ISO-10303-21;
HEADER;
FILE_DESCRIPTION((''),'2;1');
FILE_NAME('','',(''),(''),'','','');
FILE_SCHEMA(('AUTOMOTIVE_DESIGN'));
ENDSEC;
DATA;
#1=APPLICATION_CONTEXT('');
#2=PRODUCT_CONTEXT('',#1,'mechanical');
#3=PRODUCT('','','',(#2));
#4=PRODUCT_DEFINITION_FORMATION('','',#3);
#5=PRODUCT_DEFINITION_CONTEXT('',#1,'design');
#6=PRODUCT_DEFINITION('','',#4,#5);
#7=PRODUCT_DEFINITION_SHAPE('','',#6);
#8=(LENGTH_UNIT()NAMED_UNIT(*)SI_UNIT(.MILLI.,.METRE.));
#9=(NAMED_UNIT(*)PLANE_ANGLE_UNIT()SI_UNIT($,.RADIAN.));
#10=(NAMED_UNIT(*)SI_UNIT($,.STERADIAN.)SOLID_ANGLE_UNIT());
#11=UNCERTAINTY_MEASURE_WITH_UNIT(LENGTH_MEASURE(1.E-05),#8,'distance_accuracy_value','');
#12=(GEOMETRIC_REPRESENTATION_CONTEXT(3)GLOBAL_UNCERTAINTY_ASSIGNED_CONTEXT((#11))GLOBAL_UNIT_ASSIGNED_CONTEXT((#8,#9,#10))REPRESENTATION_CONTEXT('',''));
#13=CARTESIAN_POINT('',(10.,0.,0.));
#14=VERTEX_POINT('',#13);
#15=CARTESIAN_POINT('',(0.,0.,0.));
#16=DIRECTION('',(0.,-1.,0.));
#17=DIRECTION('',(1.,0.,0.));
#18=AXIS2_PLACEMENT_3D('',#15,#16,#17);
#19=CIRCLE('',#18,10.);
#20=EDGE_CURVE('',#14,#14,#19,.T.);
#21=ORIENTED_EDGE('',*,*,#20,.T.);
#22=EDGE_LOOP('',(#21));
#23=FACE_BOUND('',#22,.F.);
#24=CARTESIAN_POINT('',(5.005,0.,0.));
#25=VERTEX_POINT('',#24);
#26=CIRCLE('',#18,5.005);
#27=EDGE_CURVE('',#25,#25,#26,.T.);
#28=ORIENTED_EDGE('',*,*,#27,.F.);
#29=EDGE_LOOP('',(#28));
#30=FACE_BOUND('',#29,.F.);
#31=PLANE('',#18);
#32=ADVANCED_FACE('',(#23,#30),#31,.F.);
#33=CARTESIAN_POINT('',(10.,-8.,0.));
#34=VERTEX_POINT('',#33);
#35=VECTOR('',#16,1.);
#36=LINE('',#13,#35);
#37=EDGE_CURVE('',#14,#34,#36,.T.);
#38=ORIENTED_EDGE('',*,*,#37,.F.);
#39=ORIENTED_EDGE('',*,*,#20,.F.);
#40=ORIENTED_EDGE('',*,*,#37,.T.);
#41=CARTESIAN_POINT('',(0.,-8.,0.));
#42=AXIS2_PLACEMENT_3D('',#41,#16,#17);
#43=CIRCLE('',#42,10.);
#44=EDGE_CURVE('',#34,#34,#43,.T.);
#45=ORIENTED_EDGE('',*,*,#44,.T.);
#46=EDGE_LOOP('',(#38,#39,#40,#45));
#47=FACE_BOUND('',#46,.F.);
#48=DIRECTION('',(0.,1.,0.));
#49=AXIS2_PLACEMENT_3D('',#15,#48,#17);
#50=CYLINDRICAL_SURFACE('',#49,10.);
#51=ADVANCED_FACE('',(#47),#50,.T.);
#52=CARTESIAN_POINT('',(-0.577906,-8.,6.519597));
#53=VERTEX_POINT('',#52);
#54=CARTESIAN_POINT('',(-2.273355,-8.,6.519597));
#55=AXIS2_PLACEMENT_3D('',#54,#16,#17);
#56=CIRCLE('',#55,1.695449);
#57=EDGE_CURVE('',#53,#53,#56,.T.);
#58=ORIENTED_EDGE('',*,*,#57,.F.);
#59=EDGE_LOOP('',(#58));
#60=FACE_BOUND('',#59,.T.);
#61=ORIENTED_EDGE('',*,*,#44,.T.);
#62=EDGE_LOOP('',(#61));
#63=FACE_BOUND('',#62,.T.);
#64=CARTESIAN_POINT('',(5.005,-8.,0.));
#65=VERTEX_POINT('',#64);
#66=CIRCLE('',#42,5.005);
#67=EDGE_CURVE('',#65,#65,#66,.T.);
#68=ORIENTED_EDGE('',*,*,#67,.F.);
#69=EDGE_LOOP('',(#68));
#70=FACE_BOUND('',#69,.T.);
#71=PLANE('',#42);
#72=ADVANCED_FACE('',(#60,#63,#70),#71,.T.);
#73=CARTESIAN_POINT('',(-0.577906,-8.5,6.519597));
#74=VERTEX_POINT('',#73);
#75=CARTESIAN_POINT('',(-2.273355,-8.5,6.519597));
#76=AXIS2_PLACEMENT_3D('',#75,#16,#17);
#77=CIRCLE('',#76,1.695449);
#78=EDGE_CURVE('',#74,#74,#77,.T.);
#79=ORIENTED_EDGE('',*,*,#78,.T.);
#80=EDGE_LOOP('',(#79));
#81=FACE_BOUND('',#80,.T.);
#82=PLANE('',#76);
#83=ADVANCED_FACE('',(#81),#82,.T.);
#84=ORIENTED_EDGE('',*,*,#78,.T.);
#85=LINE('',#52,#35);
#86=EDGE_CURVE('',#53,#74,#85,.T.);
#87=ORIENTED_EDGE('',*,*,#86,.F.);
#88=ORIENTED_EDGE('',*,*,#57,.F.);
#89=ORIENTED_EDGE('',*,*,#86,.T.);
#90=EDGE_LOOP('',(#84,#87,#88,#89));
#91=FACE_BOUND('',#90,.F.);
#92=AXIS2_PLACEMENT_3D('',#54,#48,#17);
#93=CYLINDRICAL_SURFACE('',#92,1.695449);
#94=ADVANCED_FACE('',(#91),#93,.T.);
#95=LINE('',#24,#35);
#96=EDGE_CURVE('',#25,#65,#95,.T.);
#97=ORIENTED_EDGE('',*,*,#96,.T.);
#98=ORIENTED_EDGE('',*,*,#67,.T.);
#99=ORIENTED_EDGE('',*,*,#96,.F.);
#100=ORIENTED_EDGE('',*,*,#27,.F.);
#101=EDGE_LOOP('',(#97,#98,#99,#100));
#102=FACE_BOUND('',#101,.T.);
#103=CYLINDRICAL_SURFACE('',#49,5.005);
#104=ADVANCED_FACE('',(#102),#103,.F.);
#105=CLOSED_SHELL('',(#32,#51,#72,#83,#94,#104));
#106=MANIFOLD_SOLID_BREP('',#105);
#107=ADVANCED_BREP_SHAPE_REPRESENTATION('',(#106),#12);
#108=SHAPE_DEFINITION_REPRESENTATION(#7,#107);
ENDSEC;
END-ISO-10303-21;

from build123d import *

# Parameters (mm, degrees)
F0_R     = 10
F0_R_2   = 5.005
F1_DEPTH = 8
F2_R     = 1.695449
F3_DEPTH = 0.5


with BuildPart() as f1:
    # F0 (on Front) → F1 (new body)
    with BuildSketch(Plane.XZ):
        Circle(F0_R)
        Circle(F0_R_2, mode=Mode.SUBTRACT)
    extrude(amount=F1_DEPTH)

    # F2 (on face) → F3 (join)
    with BuildSketch(Plane.XZ.offset(8)):
        with Locations((-2.273355, 6.519597)):
            Circle(F2_R)
    extrude(amount=F3_DEPTH)


solid = f1.part
